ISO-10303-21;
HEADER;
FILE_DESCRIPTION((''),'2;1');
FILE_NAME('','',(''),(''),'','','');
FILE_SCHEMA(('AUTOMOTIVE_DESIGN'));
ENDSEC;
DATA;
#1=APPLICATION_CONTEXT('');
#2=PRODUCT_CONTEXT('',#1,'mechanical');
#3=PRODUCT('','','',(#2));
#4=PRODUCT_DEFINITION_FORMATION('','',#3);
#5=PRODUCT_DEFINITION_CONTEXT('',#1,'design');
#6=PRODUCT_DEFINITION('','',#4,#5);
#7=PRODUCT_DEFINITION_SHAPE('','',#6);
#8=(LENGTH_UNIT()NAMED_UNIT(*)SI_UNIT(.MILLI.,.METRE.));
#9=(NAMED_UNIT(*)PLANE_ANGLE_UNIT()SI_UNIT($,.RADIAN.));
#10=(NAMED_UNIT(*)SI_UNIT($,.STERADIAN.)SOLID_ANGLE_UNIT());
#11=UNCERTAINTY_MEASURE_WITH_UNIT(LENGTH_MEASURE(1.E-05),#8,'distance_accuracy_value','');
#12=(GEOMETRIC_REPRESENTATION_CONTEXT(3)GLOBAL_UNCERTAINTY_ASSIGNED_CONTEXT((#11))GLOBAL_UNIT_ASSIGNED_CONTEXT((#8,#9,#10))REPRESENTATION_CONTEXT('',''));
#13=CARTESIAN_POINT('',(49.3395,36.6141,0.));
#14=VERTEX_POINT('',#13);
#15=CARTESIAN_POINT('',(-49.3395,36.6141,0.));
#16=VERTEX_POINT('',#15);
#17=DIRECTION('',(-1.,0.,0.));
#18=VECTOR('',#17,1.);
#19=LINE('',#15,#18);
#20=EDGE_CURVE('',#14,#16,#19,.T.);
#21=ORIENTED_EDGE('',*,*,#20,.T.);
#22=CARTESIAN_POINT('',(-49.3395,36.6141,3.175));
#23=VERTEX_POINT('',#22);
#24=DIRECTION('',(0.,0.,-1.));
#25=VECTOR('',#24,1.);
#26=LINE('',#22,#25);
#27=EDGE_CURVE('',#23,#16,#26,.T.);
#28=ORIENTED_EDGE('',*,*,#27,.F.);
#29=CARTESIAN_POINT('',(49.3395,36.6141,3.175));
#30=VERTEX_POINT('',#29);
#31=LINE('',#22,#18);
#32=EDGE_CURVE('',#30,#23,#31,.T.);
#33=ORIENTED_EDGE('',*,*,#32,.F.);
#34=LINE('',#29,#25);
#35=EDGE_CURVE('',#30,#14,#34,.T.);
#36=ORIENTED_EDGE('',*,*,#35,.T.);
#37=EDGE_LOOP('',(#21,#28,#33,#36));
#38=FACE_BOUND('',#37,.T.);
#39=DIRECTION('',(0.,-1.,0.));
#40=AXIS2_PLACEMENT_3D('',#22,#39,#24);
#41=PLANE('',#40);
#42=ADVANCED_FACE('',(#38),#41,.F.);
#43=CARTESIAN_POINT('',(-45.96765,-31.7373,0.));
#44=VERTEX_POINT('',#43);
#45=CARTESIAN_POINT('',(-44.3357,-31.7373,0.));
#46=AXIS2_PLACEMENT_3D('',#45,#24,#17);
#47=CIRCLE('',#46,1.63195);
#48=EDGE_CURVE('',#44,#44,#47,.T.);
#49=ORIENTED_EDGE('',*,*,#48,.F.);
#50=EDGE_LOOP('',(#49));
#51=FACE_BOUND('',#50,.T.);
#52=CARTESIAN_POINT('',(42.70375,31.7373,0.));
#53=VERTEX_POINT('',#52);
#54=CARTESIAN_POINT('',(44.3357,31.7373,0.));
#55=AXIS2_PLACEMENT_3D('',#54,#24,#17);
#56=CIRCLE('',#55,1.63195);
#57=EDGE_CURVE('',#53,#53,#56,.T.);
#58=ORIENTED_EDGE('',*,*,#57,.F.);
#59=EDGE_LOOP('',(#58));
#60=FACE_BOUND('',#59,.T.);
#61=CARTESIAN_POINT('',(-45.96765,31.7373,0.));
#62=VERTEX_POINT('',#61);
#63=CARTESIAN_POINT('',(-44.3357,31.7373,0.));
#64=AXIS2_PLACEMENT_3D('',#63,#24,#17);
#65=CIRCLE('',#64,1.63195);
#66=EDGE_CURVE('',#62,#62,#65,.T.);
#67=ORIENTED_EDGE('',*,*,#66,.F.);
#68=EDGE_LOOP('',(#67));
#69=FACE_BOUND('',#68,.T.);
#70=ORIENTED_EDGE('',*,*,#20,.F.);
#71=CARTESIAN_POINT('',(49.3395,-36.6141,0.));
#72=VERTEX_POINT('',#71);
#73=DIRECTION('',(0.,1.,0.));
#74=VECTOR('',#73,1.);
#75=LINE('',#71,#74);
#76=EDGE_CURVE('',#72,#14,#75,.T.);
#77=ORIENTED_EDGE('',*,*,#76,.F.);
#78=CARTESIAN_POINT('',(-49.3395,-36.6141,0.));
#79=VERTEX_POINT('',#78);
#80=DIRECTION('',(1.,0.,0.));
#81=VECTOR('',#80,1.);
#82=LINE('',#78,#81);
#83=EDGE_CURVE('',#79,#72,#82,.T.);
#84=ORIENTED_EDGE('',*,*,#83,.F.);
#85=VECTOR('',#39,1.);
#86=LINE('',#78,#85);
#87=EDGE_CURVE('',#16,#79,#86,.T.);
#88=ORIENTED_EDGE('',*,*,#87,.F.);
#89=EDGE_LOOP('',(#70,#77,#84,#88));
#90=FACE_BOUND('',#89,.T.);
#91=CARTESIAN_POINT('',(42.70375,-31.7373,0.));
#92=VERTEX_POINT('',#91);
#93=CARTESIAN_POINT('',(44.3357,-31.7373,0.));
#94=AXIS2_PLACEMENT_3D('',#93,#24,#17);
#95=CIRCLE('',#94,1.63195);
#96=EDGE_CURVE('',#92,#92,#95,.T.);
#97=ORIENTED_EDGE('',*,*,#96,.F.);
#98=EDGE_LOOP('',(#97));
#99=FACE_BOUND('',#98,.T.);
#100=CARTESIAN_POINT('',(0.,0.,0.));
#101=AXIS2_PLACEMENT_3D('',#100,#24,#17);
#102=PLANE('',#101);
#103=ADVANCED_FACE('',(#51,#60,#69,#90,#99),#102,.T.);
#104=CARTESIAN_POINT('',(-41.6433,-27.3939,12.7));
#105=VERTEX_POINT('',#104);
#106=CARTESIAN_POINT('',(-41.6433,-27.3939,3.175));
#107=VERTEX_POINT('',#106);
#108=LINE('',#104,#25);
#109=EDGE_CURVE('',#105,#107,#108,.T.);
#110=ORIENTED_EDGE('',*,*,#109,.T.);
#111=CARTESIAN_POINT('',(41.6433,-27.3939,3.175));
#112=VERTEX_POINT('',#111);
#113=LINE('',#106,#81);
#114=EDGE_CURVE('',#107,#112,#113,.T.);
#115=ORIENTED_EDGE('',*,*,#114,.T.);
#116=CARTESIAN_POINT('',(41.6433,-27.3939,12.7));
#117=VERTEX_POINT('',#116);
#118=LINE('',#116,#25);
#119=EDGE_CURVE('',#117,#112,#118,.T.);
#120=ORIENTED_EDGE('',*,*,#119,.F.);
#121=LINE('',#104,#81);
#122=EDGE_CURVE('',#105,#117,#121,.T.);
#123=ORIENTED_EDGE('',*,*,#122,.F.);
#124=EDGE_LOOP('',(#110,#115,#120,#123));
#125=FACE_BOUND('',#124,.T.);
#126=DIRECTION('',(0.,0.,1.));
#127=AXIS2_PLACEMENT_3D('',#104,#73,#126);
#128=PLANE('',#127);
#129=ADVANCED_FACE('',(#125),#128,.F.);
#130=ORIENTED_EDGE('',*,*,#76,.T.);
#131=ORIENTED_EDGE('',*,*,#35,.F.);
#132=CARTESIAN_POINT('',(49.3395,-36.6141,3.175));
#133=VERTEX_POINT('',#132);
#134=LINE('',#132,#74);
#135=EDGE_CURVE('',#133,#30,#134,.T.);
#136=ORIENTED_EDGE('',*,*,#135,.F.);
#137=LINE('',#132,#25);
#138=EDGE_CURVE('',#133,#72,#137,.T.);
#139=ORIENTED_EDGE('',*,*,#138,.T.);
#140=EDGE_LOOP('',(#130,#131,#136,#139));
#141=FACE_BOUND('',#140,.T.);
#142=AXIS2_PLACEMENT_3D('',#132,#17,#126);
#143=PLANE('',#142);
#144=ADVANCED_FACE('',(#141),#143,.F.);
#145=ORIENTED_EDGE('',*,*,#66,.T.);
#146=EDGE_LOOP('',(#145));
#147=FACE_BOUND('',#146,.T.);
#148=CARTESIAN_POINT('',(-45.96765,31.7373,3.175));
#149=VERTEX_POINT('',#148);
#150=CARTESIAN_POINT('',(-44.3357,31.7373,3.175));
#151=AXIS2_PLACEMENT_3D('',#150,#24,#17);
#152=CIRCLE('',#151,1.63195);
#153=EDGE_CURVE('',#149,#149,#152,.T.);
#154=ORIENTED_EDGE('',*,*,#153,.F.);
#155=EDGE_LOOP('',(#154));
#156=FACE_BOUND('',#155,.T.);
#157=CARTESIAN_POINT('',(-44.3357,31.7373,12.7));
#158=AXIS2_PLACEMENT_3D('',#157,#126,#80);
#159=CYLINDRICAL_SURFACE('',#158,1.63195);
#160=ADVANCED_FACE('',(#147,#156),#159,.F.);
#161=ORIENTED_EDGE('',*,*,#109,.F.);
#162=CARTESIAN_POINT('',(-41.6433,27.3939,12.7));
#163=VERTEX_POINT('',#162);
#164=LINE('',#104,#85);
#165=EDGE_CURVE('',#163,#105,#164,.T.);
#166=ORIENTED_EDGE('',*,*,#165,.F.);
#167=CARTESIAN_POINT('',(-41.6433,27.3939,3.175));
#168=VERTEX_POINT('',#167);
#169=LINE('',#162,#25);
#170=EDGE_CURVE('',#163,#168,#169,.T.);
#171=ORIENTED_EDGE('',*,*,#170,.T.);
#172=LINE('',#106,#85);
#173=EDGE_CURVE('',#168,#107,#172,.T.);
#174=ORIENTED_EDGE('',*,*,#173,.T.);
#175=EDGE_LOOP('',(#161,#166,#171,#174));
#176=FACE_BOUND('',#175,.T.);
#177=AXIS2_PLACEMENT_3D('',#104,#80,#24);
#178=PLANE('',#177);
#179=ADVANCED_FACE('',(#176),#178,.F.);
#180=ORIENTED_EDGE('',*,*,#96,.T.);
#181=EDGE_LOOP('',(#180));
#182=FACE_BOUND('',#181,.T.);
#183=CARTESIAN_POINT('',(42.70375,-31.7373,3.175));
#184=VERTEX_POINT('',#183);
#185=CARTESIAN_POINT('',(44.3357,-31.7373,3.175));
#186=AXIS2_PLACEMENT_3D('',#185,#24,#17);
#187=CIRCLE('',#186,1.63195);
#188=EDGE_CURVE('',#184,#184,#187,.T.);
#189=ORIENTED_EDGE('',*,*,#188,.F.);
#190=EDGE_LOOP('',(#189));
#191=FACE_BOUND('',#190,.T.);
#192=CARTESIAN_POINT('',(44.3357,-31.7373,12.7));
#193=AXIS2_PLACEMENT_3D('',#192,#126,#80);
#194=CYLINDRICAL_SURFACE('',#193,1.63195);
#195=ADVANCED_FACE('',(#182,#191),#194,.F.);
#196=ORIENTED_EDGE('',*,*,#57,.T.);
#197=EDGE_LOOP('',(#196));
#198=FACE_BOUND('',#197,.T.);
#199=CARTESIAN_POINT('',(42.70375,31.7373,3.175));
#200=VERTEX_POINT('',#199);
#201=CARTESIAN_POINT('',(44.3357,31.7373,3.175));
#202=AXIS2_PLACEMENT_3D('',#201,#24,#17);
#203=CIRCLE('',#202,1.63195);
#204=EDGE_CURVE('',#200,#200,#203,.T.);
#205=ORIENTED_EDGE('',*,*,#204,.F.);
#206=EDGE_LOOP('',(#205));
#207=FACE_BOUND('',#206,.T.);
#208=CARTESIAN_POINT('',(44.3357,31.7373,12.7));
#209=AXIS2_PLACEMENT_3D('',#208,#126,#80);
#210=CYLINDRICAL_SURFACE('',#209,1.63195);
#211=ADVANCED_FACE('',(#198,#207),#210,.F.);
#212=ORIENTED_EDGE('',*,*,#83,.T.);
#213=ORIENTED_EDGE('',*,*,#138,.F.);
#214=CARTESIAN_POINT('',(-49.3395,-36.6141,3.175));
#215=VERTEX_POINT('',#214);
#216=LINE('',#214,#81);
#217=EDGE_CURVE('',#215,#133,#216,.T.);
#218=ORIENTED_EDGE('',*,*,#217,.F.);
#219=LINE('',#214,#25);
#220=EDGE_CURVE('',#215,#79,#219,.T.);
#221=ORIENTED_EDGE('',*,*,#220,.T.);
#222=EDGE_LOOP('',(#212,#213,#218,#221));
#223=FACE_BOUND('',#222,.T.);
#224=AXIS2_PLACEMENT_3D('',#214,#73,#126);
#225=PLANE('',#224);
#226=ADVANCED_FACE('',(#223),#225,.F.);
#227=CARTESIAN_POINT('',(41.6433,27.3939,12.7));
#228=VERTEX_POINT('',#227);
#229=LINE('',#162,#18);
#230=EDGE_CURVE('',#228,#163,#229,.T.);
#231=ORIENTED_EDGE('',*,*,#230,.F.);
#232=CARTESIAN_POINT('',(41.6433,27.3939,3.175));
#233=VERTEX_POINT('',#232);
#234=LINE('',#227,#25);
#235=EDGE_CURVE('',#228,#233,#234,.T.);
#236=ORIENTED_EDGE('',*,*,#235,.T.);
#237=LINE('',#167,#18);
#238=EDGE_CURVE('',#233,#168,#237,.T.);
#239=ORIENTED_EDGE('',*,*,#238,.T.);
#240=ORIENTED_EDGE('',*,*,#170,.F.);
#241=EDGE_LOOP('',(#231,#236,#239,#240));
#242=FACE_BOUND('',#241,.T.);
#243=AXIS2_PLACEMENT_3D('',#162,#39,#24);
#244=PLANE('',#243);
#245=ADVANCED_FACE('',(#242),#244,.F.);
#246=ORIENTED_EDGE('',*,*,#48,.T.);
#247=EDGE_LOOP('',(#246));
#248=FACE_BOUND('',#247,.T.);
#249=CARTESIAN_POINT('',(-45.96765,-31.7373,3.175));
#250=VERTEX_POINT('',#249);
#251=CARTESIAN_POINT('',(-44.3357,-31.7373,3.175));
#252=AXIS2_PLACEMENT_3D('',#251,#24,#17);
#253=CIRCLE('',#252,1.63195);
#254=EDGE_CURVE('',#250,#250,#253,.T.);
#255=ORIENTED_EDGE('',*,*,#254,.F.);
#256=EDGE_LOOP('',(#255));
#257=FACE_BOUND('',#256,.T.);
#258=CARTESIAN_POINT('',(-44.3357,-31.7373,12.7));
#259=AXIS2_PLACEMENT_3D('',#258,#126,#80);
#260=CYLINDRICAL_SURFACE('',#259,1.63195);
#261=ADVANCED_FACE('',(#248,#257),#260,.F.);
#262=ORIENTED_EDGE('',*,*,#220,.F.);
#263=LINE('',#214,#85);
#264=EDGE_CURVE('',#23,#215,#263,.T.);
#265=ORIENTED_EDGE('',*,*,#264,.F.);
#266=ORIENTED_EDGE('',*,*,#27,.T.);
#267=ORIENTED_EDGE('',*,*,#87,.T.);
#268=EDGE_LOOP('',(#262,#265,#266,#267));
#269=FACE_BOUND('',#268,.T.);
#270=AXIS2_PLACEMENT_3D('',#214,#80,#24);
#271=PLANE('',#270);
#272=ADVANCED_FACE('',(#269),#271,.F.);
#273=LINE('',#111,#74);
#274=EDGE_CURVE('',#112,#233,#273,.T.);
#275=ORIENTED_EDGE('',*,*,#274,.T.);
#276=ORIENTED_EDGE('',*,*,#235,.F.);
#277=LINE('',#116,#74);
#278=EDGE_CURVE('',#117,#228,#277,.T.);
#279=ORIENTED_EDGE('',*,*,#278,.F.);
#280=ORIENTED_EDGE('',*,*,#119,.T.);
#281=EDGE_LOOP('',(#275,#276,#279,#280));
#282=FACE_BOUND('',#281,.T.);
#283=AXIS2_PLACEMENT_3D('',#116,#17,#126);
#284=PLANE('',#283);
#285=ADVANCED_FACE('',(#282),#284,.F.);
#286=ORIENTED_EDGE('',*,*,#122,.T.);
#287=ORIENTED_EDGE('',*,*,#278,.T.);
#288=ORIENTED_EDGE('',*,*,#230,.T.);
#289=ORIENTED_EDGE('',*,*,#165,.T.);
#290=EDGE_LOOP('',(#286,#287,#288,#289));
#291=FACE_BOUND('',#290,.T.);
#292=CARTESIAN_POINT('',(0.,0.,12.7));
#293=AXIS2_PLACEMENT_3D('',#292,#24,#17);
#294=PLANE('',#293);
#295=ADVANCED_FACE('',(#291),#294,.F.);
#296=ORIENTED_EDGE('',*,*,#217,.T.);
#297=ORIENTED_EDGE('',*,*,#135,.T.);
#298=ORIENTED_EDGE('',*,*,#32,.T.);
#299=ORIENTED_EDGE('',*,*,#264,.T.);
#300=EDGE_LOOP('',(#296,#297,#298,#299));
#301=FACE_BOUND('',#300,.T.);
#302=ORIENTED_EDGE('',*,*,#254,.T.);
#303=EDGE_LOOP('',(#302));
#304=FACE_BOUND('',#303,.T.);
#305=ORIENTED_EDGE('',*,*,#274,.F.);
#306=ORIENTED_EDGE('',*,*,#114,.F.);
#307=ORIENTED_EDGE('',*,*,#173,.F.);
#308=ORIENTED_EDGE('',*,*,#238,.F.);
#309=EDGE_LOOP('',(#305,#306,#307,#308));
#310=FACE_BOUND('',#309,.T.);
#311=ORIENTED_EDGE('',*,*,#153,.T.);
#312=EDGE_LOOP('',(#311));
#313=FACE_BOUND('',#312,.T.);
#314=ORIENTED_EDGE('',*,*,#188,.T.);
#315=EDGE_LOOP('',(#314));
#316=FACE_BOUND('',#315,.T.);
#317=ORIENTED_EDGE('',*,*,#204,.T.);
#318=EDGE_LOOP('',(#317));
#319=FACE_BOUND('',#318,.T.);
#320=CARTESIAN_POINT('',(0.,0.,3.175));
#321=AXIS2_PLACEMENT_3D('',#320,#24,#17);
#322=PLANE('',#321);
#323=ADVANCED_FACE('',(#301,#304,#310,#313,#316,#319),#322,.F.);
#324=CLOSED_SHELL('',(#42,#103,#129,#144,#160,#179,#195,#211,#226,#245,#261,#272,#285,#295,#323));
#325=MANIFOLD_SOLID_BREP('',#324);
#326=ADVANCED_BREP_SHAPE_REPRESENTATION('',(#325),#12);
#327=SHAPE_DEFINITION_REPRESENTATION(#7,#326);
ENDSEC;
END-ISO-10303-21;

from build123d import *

# Parameters (mm, degrees)
SKETCH1_W             = 98.679
SKETCH1_H             = 73.2282
BOSS_EXTRUDE1_DEPTH   = 3.175
SKETCH2_W             = 83.2866
SKETCH2_H             = 54.7878
BOSS_EXTRUDE2_DEPTH   = 9.525
F_4_CLEARANCE_HOLE1_D = 3.2639


with BuildPart() as part:
    # Sketch1 → Boss-Extrude1 (new body)
    with BuildSketch(Plane.XY):
        Rectangle(SKETCH1_W, SKETCH1_H)
    extrude(amount=BOSS_EXTRUDE1_DEPTH)

    # Sketch2 → Boss-Extrude2 (add)
    with BuildSketch(Plane.XY.offset(3.175)):
        Rectangle(SKETCH2_W, SKETCH2_H)
    extrude(amount=BOSS_EXTRUDE2_DEPTH)

    # #4 Clearance Hole1 (through all)
    with Locations(Plane(origin=(-44.3357, 31.7373, 12.7), x_dir=(1, 0, 0), z_dir=(0, 0, 1))):
        with Locations((0, 0), (88.6714, 0), (88.6714, -63.4746), (0, -63.4746)):
            Hole(F_4_CLEARANCE_HOLE1_D / 2)


solid = part.part
